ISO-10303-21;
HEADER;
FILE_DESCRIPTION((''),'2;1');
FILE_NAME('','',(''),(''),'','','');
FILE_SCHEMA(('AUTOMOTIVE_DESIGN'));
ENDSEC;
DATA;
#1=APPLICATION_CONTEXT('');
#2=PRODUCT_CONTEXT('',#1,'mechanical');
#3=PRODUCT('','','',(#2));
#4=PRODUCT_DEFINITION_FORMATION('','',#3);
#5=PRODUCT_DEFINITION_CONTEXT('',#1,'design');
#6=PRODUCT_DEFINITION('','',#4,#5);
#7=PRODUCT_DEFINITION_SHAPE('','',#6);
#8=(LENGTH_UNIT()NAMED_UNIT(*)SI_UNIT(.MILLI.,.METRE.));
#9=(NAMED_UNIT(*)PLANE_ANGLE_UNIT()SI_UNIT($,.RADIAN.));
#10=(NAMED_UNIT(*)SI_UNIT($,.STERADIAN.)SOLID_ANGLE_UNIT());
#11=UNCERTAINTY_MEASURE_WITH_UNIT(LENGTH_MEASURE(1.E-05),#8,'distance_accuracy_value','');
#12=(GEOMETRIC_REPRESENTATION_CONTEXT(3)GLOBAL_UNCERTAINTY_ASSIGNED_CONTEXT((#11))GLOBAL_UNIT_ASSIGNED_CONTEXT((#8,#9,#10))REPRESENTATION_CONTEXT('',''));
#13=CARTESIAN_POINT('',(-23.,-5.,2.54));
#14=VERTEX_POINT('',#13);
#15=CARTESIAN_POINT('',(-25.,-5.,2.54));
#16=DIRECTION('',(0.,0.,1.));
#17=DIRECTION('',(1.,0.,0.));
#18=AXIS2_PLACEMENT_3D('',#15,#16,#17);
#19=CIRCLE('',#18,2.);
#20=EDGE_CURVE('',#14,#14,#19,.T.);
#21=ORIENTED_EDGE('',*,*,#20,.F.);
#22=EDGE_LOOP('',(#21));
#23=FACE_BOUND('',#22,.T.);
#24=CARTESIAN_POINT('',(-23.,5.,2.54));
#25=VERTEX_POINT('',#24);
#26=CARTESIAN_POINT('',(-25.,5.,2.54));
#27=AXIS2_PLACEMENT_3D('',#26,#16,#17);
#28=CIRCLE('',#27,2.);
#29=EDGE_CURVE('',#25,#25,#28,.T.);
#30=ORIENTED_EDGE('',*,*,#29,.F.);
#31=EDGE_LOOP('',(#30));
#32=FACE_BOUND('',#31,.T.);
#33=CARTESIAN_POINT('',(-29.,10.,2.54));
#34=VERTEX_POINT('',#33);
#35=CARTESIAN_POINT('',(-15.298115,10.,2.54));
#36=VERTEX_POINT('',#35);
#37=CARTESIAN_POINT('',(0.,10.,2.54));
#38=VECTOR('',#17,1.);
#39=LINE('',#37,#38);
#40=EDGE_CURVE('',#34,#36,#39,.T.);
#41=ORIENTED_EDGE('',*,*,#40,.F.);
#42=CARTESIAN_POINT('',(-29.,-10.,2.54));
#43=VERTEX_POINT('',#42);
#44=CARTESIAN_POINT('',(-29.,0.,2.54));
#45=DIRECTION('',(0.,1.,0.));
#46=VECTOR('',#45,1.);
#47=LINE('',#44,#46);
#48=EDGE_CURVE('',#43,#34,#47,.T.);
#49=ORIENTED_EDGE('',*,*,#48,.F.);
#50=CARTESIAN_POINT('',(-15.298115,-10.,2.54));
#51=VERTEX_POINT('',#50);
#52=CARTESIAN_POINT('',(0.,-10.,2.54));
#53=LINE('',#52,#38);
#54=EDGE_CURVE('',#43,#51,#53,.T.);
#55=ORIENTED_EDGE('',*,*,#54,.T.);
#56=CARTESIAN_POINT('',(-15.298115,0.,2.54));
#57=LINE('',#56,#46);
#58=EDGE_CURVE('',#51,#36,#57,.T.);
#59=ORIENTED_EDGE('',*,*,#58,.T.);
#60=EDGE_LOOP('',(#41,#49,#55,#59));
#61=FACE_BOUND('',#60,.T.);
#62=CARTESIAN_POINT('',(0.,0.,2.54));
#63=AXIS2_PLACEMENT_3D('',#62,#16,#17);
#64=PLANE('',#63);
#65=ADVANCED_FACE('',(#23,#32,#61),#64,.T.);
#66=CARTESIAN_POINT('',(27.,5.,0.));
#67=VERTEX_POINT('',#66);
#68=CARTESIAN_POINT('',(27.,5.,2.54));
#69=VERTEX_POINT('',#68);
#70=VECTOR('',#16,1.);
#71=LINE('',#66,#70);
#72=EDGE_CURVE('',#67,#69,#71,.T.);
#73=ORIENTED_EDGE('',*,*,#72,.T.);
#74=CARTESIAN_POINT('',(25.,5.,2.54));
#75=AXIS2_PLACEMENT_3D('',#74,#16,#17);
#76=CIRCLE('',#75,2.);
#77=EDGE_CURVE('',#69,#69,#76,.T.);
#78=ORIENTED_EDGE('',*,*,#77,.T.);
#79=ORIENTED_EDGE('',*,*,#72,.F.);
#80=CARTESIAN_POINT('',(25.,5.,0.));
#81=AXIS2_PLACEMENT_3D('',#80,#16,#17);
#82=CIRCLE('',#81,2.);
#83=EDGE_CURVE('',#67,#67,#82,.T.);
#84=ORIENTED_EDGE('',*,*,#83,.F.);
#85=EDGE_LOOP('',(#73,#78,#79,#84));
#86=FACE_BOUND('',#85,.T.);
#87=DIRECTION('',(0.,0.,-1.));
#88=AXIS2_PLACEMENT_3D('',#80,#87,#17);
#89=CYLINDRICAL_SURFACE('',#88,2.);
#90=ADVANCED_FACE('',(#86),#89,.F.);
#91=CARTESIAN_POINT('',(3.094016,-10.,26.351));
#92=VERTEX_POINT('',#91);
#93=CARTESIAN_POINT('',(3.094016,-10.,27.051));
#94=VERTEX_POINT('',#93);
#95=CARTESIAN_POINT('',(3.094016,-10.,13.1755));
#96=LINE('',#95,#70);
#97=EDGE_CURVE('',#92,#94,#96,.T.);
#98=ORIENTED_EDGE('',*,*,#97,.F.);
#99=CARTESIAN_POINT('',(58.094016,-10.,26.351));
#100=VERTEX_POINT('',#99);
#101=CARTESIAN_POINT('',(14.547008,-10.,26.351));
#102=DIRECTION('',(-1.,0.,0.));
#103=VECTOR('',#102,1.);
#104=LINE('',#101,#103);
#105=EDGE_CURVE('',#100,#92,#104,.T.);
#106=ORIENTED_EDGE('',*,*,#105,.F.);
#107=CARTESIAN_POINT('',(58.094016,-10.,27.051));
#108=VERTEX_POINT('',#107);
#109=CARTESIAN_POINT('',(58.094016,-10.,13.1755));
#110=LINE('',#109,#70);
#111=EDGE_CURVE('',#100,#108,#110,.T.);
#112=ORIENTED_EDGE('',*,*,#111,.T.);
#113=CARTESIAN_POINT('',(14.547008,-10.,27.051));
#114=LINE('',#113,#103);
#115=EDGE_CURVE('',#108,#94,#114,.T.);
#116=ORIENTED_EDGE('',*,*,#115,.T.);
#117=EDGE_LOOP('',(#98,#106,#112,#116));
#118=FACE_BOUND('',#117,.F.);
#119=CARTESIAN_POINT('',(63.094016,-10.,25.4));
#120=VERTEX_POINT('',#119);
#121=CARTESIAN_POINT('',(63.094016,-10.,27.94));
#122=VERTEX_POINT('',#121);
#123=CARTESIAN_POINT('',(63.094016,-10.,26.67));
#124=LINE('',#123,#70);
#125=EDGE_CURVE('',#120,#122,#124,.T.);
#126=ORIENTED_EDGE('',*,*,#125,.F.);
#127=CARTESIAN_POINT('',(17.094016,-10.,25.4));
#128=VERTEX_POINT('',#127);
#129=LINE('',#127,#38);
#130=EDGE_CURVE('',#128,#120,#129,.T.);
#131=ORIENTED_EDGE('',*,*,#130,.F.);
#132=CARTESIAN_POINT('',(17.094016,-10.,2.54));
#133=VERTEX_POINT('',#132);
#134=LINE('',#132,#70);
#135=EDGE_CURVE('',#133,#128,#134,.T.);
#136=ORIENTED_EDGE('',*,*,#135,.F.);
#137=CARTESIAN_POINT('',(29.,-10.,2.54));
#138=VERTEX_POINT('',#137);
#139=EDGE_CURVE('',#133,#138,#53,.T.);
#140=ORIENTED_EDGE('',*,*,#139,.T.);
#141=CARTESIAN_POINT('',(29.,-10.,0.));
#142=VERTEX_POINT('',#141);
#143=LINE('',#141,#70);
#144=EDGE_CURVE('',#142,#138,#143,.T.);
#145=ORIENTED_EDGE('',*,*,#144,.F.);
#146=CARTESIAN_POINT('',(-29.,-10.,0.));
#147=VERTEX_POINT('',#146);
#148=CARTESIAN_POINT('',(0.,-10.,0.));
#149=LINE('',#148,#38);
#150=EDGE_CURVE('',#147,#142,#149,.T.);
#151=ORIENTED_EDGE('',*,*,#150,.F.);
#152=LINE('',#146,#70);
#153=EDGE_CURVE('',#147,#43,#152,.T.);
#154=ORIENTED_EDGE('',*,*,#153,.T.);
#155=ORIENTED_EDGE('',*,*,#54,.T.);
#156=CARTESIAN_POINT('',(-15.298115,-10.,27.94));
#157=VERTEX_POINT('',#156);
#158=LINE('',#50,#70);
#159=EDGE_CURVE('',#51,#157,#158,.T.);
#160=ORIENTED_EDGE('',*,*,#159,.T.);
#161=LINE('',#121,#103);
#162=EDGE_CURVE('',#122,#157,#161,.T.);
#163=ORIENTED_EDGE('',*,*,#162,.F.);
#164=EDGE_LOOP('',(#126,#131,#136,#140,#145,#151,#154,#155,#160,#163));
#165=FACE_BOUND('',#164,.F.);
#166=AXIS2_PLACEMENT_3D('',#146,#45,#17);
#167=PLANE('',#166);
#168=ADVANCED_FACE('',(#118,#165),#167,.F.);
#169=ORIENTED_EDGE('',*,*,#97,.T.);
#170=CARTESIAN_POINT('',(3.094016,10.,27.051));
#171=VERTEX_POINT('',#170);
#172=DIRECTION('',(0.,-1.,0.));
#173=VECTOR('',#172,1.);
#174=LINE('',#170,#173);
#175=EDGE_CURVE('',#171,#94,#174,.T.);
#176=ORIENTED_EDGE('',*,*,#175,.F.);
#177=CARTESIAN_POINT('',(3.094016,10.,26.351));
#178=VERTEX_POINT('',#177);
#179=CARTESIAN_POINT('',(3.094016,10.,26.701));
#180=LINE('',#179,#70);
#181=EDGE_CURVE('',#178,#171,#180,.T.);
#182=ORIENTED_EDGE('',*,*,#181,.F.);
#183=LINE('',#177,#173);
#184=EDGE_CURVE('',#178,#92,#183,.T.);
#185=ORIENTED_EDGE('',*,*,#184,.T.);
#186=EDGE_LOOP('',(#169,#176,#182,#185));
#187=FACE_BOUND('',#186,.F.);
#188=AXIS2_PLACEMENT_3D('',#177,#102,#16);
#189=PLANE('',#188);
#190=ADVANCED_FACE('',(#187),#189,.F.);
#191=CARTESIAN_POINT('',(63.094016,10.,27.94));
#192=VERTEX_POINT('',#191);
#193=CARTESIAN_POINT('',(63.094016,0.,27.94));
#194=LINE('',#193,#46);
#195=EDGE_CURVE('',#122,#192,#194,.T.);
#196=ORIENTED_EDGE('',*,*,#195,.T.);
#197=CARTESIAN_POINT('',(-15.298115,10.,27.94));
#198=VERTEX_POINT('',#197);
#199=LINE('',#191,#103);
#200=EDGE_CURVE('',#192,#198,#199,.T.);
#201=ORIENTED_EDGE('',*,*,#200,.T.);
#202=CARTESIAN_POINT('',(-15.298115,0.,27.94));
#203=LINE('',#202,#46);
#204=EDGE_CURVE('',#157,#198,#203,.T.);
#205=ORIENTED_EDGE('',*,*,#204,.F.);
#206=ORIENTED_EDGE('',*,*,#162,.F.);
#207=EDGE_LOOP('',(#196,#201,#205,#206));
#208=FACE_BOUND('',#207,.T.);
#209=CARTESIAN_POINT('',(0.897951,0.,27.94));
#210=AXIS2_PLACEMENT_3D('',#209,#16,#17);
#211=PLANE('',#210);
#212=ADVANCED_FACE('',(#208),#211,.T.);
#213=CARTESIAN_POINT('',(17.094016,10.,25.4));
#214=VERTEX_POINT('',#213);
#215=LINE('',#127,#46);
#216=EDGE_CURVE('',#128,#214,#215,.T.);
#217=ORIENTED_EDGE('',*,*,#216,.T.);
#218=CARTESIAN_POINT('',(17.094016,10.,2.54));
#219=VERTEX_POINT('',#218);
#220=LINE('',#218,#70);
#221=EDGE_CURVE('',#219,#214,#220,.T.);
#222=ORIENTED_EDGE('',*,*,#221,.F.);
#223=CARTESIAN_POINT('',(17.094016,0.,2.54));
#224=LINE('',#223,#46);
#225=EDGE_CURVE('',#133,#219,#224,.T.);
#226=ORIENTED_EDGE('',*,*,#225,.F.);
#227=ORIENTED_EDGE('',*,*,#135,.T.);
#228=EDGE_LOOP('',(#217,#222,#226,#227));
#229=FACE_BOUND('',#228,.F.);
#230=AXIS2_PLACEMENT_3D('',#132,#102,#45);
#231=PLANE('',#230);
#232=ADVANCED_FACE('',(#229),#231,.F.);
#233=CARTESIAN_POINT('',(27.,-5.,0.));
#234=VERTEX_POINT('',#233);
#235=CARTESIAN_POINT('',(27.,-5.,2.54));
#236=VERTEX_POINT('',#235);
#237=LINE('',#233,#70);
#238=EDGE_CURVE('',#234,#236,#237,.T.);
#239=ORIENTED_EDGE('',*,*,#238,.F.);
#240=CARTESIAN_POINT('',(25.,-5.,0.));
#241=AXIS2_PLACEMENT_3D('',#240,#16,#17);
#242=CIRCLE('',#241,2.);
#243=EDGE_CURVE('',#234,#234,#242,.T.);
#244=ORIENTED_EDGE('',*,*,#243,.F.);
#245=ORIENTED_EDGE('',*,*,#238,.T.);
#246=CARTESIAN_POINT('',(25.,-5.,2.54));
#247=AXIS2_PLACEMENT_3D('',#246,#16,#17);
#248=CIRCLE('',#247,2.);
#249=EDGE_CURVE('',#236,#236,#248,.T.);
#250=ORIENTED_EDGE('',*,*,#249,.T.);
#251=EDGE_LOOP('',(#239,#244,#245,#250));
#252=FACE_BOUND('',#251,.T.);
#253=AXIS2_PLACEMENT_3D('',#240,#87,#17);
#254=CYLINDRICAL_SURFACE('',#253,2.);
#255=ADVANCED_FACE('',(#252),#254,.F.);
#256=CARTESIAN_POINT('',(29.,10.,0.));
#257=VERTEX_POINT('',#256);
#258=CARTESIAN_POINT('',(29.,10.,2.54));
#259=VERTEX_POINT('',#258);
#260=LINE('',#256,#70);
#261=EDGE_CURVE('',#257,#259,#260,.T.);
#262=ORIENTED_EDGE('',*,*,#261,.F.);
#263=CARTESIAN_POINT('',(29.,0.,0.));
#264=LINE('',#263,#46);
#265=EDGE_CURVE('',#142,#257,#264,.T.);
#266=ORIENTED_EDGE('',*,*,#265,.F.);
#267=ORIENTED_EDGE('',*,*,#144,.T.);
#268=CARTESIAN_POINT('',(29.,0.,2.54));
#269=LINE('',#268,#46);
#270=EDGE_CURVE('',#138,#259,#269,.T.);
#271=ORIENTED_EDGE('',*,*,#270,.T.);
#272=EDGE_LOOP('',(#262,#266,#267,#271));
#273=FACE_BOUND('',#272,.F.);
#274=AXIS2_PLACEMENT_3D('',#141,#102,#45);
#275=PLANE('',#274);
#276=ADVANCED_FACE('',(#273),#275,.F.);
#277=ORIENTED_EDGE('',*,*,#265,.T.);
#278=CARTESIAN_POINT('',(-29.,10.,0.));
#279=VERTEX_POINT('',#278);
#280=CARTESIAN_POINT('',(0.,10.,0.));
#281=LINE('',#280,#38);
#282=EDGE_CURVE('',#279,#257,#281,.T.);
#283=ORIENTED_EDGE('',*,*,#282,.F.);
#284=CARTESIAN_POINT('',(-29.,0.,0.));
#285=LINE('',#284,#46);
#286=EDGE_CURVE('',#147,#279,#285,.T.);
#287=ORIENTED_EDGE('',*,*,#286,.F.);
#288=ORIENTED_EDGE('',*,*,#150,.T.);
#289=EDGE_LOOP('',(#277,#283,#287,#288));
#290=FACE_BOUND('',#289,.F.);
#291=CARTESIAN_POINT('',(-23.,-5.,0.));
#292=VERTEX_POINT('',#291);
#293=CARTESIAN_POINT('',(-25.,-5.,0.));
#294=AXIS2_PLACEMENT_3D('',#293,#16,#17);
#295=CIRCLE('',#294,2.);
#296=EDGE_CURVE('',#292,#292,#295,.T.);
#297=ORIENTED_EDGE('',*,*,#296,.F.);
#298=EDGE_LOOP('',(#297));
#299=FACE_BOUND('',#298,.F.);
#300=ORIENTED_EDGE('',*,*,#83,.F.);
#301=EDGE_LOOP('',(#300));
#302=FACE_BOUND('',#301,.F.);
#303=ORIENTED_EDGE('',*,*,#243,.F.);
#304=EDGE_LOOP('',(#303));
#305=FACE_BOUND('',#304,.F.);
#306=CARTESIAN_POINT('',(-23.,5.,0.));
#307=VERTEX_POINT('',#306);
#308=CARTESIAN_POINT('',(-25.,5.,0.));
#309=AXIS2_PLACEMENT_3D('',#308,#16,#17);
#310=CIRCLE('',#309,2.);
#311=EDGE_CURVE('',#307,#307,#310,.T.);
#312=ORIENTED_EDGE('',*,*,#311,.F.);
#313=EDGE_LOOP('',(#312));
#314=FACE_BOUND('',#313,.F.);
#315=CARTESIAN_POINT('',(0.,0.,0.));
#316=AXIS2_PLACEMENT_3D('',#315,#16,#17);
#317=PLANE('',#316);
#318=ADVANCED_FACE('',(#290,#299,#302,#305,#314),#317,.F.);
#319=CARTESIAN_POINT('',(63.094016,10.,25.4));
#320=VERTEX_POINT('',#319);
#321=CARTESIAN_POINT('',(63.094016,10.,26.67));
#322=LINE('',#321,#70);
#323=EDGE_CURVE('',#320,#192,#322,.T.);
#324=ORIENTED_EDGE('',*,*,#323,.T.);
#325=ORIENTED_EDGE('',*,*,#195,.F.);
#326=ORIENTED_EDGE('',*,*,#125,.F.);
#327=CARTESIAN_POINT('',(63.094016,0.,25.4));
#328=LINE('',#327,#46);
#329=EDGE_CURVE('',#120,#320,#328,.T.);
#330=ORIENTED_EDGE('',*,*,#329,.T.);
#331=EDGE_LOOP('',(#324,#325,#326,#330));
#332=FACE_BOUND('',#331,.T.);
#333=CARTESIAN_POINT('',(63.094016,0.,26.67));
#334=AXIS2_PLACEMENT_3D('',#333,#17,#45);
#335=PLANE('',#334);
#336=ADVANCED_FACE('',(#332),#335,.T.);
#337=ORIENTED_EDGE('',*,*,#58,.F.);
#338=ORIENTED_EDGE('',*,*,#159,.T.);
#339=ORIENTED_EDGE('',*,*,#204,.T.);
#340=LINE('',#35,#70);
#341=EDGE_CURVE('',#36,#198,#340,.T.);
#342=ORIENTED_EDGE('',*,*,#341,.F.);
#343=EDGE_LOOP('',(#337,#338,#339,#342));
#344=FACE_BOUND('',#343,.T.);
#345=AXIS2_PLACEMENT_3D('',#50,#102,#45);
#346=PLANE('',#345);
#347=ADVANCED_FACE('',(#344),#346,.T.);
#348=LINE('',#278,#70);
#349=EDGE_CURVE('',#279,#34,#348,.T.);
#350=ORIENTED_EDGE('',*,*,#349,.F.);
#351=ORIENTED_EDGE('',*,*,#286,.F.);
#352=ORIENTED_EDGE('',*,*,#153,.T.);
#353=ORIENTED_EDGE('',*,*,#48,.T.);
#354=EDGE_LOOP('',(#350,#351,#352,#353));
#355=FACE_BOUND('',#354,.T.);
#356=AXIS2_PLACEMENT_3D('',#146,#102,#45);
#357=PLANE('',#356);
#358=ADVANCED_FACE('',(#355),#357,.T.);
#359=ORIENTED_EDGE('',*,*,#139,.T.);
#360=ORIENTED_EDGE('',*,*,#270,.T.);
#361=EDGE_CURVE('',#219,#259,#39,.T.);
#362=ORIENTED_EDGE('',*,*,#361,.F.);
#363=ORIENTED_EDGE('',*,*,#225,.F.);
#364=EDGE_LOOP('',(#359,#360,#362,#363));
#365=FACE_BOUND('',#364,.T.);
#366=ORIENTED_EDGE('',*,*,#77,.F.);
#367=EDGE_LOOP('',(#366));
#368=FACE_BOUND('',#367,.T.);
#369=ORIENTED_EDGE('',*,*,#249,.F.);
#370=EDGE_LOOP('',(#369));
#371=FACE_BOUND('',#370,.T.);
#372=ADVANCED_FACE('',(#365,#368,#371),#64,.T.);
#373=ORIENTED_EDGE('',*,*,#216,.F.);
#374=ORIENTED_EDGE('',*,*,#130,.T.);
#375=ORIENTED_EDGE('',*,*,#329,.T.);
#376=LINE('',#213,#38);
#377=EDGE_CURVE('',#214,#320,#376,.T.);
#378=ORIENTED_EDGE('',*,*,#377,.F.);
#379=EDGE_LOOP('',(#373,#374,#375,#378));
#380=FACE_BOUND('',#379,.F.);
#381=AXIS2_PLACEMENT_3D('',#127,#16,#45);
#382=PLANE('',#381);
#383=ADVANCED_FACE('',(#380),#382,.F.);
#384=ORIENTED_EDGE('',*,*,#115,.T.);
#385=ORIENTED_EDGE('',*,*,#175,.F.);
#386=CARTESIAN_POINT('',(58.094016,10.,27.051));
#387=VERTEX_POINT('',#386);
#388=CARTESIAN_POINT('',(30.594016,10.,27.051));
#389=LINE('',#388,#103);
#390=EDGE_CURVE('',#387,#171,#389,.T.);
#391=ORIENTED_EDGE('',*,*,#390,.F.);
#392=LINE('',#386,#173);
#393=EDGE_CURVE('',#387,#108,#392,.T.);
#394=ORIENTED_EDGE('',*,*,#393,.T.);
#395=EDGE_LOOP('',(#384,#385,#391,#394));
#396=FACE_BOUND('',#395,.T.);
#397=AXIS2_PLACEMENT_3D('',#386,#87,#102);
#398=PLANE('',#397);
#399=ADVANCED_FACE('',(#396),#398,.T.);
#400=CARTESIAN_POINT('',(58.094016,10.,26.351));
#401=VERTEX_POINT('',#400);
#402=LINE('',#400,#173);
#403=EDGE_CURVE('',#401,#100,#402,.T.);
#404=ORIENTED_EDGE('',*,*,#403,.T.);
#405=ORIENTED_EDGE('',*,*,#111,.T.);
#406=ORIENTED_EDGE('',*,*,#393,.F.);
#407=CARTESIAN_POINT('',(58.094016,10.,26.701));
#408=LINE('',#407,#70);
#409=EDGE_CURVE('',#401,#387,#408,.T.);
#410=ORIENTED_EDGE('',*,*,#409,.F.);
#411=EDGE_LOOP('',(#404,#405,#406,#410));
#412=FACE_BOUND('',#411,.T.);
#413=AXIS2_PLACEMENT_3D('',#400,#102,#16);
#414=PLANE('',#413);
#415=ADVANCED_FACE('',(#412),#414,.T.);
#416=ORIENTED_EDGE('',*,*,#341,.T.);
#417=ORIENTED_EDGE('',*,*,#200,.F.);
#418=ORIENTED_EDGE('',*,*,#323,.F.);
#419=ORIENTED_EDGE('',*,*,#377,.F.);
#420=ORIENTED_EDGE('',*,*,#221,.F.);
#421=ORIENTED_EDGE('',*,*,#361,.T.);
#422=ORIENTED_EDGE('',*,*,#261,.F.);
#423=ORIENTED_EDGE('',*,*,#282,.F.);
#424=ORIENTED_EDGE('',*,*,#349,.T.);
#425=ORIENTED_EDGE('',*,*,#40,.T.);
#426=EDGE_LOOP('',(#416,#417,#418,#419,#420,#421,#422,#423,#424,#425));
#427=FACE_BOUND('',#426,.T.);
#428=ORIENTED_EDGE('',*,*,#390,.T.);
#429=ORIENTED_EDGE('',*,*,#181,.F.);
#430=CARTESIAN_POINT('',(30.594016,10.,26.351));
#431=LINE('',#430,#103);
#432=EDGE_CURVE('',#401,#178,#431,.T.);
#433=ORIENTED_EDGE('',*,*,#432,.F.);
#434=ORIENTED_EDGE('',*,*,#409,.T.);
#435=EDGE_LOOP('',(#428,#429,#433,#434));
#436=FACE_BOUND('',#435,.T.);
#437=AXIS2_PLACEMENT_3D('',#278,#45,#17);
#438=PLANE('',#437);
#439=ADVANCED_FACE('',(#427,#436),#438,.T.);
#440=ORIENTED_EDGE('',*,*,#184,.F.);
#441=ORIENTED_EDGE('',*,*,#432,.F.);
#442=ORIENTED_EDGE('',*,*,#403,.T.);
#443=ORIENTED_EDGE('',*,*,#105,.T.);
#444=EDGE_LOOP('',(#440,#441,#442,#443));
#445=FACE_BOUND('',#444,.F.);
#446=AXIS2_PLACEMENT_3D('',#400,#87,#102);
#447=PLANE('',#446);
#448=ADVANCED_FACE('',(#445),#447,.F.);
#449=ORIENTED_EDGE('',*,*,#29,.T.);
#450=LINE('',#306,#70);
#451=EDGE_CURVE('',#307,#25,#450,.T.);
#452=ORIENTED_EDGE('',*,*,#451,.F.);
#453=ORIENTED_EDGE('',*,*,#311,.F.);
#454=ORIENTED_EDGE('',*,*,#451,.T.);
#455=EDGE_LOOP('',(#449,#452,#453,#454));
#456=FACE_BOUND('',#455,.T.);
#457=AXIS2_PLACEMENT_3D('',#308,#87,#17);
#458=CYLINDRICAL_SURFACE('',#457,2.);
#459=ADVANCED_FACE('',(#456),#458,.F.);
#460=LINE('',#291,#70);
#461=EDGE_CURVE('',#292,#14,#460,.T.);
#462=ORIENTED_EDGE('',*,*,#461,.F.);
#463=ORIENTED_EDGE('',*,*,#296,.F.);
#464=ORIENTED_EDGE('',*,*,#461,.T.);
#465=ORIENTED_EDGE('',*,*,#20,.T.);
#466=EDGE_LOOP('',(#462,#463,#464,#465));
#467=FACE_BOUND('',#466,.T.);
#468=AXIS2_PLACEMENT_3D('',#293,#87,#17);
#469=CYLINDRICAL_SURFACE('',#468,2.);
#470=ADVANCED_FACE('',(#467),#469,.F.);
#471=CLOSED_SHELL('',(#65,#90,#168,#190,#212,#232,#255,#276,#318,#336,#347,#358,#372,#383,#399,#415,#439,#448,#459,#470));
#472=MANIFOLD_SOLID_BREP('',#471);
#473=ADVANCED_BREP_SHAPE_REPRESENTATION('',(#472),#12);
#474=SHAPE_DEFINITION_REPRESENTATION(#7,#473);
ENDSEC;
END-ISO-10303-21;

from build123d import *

# Parameters (mm, degrees)
F0_W     = 58
F0_H     = 20
F0_R     = 2
F1_DEPTH = 2.54
F2_W     = 32.392131
F2_H     = 20
F3_DEPTH = 25.4
F4_W     = 20
F4_H     = 2.54
F5_DEPTH = 46
F6_W     = 55
F6_H     = 0.7
F7_DEPTH = 20.001


with BuildPart() as f1:
    # F0 (on Top) → F1 (new body)
    with BuildSketch(Plane.XY):
        Rectangle(F0_W, F0_H)
        with Locations((-25, -5)):
            Circle(F0_R, mode=Mode.SUBTRACT)
        with Locations((25, -5)):
            Circle(F0_R, mode=Mode.SUBTRACT)
        with Locations((-25, 5)):
            Circle(F0_R, mode=Mode.SUBTRACT)
        with Locations((25, 5)):
            Circle(F0_R, mode=Mode.SUBTRACT)
    extrude(amount=F1_DEPTH)

    # F2 (on face) → F3 (join)
    with BuildSketch(Plane.XY.offset(2.54)):
        with Locations((0.897951, 0)):
            Rectangle(F2_W, F2_H)
    extrude(amount=F3_DEPTH)

    # F4 (on face) → F5 (join)
    with BuildSketch(Plane.YZ.offset(17.094016)):
        with Locations((0, 26.67)):
            Rectangle(F4_W, F4_H)
    extrude(amount=F5_DEPTH)

    # F6 (on face) → F7 (cut, through all)
    with BuildSketch(Plane(origin=(0, 10, 0), x_dir=(-1, 0, 0), z_dir=(0, 1, 0))):
        with Locations((-30.594016, 26.701)):
            Rectangle(F6_W, F6_H)
    extrude(amount=-F7_DEPTH, mode=Mode.SUBTRACT)


solid = f1.part
